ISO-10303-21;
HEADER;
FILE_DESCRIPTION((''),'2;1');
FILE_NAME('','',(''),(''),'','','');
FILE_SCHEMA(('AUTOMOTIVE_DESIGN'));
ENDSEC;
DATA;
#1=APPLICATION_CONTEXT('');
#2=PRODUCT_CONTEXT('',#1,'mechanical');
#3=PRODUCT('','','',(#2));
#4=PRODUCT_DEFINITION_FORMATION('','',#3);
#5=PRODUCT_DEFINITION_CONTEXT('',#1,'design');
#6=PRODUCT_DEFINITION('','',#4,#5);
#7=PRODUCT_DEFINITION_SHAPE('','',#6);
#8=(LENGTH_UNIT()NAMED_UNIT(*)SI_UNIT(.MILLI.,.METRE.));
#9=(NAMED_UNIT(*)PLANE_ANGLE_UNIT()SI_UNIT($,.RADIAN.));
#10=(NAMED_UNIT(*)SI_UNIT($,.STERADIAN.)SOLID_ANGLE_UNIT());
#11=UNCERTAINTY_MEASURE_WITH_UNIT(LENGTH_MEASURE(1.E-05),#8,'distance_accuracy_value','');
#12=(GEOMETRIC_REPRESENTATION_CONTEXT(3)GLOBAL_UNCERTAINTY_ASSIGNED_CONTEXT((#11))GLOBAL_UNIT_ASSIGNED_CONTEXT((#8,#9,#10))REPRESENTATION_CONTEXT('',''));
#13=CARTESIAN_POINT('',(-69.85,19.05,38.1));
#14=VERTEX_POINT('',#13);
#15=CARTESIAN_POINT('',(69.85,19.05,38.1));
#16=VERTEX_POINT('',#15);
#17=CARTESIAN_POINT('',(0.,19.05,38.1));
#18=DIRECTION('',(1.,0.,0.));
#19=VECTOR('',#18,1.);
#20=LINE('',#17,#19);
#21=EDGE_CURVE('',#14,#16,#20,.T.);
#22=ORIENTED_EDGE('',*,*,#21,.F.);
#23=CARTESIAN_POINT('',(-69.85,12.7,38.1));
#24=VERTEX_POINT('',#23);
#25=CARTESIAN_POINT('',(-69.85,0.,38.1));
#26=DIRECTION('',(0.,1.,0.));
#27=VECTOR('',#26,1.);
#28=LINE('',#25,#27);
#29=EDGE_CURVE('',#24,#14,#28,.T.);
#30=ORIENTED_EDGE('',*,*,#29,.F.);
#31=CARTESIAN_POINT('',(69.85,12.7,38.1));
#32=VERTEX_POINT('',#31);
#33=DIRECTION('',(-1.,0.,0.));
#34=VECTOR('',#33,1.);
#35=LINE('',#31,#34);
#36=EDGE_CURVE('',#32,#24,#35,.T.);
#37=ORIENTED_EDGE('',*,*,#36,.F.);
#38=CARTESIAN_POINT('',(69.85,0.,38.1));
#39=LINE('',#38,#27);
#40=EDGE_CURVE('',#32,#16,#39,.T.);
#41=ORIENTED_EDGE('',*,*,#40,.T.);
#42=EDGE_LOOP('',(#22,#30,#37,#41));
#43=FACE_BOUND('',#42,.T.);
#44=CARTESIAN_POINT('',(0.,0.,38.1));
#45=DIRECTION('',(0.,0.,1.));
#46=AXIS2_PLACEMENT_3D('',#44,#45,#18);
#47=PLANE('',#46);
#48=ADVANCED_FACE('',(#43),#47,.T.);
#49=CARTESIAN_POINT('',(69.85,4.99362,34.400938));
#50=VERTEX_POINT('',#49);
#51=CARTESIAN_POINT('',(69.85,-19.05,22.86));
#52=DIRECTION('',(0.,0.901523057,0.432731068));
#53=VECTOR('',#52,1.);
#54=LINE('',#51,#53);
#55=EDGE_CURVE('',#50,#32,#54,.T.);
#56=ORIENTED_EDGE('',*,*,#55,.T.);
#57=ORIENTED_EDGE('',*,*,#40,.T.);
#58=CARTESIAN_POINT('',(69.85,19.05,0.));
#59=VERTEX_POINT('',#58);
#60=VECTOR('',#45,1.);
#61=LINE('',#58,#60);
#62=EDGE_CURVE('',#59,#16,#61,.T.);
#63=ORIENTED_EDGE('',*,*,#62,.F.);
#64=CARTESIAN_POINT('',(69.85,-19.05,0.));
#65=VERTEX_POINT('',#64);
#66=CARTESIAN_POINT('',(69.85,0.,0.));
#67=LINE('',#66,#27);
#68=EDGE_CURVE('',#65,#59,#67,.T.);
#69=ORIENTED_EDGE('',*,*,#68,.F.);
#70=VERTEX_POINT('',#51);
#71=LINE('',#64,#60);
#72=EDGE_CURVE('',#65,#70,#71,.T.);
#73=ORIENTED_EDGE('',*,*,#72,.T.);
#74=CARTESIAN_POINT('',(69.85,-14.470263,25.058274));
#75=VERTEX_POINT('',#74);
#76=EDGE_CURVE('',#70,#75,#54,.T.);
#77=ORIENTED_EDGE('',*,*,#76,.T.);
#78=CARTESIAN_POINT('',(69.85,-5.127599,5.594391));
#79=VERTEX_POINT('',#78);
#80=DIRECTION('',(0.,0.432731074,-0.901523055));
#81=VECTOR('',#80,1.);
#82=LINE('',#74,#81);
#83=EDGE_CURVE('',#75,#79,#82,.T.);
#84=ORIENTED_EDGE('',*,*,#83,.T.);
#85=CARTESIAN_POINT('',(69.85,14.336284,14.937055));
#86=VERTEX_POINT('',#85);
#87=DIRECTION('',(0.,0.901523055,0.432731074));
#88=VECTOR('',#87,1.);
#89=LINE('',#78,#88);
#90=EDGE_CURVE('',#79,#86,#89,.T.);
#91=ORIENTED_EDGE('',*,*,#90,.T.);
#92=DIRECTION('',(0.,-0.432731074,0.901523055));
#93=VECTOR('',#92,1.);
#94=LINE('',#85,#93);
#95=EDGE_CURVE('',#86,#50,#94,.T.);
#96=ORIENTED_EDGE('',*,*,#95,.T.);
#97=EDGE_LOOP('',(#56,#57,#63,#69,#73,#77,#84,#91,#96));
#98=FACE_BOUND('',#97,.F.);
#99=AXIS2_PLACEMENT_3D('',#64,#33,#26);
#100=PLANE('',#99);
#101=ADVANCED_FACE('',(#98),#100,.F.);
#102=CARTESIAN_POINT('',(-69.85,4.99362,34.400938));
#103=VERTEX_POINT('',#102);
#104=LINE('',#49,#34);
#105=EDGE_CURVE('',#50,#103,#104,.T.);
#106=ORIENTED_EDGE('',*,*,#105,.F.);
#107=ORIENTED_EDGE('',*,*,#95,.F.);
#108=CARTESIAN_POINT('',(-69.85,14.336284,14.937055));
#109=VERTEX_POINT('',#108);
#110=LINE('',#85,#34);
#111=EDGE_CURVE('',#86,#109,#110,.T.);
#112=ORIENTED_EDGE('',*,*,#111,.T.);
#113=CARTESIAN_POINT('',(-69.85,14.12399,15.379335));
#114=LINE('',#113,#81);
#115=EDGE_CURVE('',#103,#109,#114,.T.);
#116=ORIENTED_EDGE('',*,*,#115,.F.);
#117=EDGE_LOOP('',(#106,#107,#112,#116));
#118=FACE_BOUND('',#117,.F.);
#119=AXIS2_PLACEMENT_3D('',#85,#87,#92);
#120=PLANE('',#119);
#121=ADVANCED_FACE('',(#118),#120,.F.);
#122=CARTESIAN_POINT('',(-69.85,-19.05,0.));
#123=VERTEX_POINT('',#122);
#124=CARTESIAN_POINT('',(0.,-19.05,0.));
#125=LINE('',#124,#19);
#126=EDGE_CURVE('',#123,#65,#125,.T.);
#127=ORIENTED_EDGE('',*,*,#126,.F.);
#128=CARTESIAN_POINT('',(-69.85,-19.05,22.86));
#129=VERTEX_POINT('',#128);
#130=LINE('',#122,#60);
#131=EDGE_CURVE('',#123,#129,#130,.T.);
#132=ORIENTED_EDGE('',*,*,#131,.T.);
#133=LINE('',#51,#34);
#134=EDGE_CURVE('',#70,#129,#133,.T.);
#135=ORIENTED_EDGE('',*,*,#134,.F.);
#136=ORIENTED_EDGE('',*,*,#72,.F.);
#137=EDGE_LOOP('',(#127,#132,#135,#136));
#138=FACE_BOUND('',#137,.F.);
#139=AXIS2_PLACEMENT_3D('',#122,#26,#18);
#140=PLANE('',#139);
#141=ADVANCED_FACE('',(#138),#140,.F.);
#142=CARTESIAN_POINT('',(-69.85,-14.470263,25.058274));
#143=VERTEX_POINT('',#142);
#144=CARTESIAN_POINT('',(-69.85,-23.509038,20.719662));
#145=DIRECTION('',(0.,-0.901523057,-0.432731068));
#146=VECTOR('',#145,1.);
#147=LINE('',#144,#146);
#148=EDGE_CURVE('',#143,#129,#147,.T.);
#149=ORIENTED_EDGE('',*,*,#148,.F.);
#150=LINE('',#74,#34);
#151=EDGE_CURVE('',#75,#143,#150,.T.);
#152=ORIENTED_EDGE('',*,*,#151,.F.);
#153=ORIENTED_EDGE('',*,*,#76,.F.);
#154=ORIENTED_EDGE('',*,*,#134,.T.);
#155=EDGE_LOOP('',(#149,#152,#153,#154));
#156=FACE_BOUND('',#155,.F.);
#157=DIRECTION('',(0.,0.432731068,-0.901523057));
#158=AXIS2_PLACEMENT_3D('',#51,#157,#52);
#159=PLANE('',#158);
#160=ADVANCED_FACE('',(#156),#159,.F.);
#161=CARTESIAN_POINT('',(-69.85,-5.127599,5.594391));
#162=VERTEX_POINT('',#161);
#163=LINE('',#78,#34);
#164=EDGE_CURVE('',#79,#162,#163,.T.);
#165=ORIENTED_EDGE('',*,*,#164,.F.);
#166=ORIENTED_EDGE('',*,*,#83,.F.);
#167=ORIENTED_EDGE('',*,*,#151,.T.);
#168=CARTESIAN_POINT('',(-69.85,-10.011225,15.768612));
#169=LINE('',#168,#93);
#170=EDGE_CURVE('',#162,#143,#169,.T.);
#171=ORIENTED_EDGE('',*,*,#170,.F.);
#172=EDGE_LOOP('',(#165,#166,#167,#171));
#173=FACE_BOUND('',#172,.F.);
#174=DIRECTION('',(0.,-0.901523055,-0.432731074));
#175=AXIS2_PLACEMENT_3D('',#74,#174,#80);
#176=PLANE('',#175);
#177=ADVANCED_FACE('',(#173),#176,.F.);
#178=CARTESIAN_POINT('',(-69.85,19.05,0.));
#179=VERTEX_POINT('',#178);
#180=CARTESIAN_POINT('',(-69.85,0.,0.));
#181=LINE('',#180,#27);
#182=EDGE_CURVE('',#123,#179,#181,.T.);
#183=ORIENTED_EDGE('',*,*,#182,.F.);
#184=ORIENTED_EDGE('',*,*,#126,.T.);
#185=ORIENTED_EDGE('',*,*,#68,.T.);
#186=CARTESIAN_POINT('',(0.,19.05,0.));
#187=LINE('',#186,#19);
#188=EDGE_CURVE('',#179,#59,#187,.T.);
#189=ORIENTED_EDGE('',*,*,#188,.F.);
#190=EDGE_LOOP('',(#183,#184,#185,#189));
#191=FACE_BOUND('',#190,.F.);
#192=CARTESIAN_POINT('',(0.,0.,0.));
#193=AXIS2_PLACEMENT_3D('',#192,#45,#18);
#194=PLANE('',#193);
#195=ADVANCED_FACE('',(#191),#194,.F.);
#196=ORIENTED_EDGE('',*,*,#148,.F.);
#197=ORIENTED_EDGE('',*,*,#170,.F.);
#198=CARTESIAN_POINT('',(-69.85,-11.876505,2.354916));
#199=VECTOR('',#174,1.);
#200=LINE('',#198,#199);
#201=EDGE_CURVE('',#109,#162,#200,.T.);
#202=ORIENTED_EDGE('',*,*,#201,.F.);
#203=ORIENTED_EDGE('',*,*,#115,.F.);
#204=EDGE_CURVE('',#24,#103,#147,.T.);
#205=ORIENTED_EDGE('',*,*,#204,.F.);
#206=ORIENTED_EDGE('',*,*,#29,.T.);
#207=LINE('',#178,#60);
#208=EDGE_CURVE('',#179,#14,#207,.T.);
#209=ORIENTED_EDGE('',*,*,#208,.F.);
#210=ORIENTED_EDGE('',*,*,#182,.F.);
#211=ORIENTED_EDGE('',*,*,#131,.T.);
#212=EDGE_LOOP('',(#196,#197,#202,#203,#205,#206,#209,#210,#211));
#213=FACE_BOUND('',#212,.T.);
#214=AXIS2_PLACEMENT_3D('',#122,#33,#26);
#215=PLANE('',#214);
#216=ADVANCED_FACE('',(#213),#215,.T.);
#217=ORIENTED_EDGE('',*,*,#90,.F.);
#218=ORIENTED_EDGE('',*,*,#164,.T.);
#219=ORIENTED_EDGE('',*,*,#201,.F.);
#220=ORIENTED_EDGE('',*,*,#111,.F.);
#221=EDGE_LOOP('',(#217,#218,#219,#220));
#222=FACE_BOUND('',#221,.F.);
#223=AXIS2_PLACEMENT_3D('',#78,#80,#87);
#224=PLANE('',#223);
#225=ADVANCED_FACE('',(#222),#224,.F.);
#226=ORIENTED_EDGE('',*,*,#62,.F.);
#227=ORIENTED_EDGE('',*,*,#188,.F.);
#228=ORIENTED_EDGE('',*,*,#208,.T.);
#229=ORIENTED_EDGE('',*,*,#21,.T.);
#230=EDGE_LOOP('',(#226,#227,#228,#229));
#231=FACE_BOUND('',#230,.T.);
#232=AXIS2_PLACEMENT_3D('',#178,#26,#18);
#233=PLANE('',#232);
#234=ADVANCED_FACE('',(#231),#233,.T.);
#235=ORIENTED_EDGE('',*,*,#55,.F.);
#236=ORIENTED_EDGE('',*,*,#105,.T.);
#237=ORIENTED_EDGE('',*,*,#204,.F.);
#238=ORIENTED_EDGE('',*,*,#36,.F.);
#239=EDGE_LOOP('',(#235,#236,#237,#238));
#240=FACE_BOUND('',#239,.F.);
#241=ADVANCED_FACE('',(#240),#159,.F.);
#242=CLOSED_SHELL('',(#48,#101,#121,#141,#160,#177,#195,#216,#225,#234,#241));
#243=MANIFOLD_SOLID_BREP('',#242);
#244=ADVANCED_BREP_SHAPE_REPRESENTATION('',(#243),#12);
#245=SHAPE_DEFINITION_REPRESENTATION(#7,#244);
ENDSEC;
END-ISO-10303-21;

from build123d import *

# Parameters (mm, degrees)
F0_W     = 139.7
F0_H     = 38.1
F1_DEPTH = 38.1
F3_DEPTH = 139.701
F5_DEPTH = 139.701


with BuildPart() as f1:
    # F0 (on Top) → F1 (new body)
    with BuildSketch(Plane.XY):
        Rectangle(F0_W, F0_H)
    extrude(amount=F1_DEPTH)

    # F2 (on face) → F3 (cut, through all)
    with BuildSketch(Plane.YZ.offset(69.85)):
        Polygon((-19.05, 22.86), (12.7, 38.1), (-19.05, 38.1), align=None)
    extrude(amount=-F3_DEPTH, mode=Mode.SUBTRACT)

    # F4 (on face) → F5 (cut, through all)
    with BuildSketch(Plane.YZ.offset(69.85)):
        Polygon((14.336284, 14.937055), (4.99362, 34.400938), (-14.470263, 25.058274), (-5.127599, 5.594391), align=None)
    extrude(amount=-F5_DEPTH, mode=Mode.SUBTRACT)


solid = f1.part
